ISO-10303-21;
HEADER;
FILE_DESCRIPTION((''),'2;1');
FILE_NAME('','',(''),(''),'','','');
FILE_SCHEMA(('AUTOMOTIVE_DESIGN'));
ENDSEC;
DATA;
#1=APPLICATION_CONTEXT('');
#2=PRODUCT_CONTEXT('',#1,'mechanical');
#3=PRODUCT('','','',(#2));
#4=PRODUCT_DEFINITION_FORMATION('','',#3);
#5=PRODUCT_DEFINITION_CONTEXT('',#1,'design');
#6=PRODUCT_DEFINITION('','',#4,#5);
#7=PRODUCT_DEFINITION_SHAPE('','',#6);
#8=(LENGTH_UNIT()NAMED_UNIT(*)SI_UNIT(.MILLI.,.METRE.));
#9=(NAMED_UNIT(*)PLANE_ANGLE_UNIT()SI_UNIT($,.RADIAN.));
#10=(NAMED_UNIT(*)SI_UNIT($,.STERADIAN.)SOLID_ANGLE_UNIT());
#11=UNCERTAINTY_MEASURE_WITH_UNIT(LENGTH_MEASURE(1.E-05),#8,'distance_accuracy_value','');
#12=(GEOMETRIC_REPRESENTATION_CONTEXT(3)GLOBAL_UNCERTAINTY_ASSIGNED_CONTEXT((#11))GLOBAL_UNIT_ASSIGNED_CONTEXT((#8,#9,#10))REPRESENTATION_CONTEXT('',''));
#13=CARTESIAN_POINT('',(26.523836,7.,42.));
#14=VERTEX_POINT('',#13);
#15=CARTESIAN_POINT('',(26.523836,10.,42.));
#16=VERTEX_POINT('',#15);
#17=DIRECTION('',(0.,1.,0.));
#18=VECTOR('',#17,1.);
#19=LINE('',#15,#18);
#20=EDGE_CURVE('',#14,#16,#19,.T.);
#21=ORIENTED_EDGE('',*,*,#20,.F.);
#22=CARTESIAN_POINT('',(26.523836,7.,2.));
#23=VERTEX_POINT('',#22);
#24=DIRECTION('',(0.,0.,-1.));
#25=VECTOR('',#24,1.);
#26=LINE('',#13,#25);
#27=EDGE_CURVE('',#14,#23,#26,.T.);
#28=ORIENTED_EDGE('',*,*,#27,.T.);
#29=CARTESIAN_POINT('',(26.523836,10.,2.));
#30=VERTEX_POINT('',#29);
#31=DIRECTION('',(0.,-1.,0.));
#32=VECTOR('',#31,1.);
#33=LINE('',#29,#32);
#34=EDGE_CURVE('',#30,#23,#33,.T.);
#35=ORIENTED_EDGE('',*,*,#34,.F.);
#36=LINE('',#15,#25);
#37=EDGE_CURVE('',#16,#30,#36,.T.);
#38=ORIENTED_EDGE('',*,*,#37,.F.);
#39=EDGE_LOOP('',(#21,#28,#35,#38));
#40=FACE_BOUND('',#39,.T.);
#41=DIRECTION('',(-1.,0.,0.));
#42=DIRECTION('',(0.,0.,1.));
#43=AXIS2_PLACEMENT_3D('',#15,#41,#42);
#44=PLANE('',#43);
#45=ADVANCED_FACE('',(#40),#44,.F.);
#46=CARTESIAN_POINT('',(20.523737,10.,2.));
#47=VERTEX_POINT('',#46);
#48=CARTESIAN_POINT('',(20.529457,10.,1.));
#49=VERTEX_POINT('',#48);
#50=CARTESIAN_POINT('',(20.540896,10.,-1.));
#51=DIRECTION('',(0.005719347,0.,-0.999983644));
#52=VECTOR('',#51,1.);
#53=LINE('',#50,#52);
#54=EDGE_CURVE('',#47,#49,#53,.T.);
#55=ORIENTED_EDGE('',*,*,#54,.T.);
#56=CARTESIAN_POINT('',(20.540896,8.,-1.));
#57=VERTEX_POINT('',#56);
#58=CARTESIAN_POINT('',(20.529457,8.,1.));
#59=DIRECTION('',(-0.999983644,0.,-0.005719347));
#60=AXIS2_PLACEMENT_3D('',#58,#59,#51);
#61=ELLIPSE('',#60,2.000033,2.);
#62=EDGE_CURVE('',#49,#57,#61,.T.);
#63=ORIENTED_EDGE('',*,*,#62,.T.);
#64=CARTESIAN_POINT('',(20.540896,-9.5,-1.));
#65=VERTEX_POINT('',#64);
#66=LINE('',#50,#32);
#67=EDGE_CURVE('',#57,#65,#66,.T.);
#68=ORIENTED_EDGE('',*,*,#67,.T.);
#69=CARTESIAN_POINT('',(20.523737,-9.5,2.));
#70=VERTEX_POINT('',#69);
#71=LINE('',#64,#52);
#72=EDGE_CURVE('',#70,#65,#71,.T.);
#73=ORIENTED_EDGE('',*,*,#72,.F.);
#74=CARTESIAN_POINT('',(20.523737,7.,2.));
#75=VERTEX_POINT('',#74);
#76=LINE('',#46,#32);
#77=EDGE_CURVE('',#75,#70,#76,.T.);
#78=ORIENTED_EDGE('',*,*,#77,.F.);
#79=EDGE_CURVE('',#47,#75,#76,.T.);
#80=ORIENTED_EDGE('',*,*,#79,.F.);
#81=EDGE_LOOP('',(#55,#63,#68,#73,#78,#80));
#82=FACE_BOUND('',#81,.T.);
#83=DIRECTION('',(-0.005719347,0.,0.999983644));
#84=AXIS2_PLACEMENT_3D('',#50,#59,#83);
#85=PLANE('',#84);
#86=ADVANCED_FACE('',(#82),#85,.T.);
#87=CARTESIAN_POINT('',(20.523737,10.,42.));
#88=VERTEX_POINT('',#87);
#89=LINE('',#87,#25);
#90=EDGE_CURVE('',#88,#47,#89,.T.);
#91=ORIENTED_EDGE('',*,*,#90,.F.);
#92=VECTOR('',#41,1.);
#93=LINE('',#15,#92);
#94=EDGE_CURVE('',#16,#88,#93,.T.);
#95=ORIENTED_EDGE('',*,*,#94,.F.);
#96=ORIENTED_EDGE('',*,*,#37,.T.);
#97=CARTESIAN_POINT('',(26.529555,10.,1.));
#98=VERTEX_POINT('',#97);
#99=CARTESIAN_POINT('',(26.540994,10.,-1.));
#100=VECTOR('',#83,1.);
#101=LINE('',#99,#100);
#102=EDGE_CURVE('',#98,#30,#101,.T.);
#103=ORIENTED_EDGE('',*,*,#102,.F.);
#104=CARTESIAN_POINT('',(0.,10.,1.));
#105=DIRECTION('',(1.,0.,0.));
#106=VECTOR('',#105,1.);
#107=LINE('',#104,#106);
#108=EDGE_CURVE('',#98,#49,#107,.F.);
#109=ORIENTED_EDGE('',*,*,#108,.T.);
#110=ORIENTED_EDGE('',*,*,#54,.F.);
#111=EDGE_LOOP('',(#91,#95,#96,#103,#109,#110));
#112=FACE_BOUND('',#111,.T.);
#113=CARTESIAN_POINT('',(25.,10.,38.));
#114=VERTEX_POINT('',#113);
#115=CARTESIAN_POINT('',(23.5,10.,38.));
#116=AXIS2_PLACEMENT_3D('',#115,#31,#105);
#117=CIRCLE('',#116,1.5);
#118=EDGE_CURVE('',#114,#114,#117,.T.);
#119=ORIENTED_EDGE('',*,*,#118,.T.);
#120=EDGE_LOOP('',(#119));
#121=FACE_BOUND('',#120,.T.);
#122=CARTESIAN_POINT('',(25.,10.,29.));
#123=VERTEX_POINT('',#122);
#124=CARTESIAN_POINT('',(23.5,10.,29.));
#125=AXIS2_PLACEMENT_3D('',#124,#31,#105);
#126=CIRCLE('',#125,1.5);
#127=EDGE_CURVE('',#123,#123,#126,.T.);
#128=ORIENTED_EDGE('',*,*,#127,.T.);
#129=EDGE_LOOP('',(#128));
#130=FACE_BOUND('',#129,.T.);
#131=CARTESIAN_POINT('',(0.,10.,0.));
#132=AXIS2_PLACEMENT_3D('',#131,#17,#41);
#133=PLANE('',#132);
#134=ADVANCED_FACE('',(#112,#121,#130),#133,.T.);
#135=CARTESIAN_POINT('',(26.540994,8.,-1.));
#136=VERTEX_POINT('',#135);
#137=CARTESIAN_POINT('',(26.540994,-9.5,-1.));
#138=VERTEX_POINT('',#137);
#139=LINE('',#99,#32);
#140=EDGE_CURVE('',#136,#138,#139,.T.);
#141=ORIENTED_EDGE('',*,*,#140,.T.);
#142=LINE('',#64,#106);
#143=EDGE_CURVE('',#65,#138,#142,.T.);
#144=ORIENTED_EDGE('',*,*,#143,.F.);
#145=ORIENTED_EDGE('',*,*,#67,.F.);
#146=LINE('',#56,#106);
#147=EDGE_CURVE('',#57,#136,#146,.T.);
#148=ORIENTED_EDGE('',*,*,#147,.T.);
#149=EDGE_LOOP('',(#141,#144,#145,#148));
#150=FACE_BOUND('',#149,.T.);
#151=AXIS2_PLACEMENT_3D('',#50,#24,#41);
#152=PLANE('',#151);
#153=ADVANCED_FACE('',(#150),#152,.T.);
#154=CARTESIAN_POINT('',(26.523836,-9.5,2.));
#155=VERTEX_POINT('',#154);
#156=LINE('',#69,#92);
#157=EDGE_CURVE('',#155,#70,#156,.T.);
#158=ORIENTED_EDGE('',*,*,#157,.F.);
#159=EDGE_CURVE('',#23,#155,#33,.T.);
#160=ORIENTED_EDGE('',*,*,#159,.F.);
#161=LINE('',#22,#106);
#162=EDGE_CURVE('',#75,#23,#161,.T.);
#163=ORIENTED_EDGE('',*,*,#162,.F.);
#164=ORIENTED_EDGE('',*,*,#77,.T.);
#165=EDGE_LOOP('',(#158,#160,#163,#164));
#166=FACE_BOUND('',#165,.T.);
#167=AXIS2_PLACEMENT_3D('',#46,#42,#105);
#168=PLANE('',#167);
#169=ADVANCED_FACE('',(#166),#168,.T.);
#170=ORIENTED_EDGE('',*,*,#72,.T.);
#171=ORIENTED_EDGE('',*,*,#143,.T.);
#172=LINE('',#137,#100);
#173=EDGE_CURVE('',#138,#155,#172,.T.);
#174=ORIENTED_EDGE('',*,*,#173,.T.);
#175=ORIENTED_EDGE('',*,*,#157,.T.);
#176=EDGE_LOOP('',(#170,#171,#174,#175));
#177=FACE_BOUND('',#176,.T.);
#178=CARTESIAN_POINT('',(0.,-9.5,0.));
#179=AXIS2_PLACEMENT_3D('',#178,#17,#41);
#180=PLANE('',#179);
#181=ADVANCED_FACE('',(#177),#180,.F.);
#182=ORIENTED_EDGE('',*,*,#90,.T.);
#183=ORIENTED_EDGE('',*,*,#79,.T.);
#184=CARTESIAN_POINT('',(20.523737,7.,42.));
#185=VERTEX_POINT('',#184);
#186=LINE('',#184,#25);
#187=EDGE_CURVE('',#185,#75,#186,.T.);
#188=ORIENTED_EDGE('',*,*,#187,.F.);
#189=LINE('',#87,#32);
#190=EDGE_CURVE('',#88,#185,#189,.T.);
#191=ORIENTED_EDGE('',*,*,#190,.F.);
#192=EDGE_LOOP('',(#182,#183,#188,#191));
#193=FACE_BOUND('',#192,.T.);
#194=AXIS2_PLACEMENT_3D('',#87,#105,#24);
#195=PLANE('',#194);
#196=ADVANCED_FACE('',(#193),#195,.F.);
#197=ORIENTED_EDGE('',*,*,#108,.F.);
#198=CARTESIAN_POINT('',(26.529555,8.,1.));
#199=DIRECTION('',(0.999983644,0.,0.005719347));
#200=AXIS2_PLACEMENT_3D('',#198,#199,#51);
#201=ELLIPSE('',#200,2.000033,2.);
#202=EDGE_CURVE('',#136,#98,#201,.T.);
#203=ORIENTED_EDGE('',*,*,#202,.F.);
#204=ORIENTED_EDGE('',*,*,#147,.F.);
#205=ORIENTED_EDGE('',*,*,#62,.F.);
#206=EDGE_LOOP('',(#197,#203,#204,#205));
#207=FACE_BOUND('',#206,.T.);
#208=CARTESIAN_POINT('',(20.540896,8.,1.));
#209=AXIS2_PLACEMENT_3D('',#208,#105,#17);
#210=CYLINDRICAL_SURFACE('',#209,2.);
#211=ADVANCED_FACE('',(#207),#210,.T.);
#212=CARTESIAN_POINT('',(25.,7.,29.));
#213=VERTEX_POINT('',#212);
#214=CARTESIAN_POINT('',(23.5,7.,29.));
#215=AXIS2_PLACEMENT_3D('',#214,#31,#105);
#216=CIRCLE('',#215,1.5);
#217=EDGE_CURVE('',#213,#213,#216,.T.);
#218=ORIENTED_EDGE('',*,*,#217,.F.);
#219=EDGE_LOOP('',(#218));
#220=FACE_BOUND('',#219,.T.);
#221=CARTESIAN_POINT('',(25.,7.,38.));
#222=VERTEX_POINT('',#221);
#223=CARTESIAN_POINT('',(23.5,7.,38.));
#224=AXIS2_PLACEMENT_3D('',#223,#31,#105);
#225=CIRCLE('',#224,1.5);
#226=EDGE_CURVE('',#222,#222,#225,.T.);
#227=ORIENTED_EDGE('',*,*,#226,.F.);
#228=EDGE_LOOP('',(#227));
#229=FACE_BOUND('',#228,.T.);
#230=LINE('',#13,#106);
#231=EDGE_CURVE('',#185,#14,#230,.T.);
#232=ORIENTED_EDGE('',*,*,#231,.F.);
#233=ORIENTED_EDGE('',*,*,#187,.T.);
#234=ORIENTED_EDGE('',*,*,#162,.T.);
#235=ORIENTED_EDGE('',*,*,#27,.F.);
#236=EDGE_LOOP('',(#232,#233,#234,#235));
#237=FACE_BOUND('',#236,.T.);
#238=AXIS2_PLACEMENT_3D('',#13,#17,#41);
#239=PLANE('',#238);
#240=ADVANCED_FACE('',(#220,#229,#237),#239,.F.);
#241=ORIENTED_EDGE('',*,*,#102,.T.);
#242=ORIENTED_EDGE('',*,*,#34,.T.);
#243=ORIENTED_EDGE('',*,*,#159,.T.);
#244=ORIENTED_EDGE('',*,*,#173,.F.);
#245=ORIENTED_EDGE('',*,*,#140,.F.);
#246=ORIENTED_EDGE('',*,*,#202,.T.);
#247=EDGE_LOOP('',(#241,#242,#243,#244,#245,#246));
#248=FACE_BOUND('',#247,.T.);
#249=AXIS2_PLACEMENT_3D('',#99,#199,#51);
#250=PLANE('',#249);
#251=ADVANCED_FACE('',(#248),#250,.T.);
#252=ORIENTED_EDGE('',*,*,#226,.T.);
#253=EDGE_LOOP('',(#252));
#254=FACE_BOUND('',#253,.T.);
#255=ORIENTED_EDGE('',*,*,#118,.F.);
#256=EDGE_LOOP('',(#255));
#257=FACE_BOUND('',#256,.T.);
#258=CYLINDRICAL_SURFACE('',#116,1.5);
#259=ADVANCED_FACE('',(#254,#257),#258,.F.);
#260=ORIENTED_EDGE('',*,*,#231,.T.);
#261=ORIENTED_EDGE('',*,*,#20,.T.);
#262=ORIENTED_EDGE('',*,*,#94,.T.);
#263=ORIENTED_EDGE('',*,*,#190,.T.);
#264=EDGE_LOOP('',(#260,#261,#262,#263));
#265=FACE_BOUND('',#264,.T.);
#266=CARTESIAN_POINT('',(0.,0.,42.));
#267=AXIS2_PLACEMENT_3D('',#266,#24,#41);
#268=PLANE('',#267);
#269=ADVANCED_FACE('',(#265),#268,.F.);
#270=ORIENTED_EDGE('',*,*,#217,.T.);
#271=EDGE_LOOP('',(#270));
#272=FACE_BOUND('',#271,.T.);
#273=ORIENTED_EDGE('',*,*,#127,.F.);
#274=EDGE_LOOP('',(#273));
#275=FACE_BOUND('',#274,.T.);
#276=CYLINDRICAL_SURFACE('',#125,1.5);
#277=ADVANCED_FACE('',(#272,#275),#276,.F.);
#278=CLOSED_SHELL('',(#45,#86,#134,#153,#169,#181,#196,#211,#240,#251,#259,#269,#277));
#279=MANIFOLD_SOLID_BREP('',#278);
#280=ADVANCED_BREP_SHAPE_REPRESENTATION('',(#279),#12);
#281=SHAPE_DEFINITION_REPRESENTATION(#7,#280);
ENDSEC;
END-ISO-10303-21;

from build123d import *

# Parameters (mm, degrees)
BOSS_EXTRUDE1_DEPTH = 19.5
SKETCH5_W           = 6.000098135
SKETCH5_H           = 3
BOSS_EXTRUDE2_DEPTH = 40
FILLET1_R           = 2
SKETCH6_R           = 1.5
CUT_EXTRUDE1_DEPTH  = 4


with BuildPart() as part:
    # Sketch3 → Boss-Extrude1 (new body)
    with BuildSketch(Plane.XZ.offset(9.5)):
        Polygon((20.540895742, -1), (26.540993877, -1), (26.523835555, 2), (20.52373742, 2), align=None)
    extrude(amount=-BOSS_EXTRUDE1_DEPTH)

    # Sketch5 → Boss-Extrude2 (add)
    with BuildSketch(Plane.XY.offset(2)):
        with Locations((23.523786488, 8.5)):
            Rectangle(SKETCH5_W, SKETCH5_H)
    extrude(amount=BOSS_EXTRUDE2_DEPTH)

    # Fillet1
    fillet1_edges = [part.edges().sort_by_distance(p)[0] for p in [
        (23.540944809, 10, -1),
    ]]
    fillet(fillet1_edges, radius=FILLET1_R)

    # Sketch6 → Cut-Extrude1 (cut, through all)
    with BuildSketch(Plane.XZ.offset(-7)):
        with Locations((23.5, 38)):
            Circle(SKETCH6_R)
        with Locations((23.5, 29)):
            Circle(SKETCH6_R)
    extrude(amount=-CUT_EXTRUDE1_DEPTH, mode=Mode.SUBTRACT)


solid = part.part
